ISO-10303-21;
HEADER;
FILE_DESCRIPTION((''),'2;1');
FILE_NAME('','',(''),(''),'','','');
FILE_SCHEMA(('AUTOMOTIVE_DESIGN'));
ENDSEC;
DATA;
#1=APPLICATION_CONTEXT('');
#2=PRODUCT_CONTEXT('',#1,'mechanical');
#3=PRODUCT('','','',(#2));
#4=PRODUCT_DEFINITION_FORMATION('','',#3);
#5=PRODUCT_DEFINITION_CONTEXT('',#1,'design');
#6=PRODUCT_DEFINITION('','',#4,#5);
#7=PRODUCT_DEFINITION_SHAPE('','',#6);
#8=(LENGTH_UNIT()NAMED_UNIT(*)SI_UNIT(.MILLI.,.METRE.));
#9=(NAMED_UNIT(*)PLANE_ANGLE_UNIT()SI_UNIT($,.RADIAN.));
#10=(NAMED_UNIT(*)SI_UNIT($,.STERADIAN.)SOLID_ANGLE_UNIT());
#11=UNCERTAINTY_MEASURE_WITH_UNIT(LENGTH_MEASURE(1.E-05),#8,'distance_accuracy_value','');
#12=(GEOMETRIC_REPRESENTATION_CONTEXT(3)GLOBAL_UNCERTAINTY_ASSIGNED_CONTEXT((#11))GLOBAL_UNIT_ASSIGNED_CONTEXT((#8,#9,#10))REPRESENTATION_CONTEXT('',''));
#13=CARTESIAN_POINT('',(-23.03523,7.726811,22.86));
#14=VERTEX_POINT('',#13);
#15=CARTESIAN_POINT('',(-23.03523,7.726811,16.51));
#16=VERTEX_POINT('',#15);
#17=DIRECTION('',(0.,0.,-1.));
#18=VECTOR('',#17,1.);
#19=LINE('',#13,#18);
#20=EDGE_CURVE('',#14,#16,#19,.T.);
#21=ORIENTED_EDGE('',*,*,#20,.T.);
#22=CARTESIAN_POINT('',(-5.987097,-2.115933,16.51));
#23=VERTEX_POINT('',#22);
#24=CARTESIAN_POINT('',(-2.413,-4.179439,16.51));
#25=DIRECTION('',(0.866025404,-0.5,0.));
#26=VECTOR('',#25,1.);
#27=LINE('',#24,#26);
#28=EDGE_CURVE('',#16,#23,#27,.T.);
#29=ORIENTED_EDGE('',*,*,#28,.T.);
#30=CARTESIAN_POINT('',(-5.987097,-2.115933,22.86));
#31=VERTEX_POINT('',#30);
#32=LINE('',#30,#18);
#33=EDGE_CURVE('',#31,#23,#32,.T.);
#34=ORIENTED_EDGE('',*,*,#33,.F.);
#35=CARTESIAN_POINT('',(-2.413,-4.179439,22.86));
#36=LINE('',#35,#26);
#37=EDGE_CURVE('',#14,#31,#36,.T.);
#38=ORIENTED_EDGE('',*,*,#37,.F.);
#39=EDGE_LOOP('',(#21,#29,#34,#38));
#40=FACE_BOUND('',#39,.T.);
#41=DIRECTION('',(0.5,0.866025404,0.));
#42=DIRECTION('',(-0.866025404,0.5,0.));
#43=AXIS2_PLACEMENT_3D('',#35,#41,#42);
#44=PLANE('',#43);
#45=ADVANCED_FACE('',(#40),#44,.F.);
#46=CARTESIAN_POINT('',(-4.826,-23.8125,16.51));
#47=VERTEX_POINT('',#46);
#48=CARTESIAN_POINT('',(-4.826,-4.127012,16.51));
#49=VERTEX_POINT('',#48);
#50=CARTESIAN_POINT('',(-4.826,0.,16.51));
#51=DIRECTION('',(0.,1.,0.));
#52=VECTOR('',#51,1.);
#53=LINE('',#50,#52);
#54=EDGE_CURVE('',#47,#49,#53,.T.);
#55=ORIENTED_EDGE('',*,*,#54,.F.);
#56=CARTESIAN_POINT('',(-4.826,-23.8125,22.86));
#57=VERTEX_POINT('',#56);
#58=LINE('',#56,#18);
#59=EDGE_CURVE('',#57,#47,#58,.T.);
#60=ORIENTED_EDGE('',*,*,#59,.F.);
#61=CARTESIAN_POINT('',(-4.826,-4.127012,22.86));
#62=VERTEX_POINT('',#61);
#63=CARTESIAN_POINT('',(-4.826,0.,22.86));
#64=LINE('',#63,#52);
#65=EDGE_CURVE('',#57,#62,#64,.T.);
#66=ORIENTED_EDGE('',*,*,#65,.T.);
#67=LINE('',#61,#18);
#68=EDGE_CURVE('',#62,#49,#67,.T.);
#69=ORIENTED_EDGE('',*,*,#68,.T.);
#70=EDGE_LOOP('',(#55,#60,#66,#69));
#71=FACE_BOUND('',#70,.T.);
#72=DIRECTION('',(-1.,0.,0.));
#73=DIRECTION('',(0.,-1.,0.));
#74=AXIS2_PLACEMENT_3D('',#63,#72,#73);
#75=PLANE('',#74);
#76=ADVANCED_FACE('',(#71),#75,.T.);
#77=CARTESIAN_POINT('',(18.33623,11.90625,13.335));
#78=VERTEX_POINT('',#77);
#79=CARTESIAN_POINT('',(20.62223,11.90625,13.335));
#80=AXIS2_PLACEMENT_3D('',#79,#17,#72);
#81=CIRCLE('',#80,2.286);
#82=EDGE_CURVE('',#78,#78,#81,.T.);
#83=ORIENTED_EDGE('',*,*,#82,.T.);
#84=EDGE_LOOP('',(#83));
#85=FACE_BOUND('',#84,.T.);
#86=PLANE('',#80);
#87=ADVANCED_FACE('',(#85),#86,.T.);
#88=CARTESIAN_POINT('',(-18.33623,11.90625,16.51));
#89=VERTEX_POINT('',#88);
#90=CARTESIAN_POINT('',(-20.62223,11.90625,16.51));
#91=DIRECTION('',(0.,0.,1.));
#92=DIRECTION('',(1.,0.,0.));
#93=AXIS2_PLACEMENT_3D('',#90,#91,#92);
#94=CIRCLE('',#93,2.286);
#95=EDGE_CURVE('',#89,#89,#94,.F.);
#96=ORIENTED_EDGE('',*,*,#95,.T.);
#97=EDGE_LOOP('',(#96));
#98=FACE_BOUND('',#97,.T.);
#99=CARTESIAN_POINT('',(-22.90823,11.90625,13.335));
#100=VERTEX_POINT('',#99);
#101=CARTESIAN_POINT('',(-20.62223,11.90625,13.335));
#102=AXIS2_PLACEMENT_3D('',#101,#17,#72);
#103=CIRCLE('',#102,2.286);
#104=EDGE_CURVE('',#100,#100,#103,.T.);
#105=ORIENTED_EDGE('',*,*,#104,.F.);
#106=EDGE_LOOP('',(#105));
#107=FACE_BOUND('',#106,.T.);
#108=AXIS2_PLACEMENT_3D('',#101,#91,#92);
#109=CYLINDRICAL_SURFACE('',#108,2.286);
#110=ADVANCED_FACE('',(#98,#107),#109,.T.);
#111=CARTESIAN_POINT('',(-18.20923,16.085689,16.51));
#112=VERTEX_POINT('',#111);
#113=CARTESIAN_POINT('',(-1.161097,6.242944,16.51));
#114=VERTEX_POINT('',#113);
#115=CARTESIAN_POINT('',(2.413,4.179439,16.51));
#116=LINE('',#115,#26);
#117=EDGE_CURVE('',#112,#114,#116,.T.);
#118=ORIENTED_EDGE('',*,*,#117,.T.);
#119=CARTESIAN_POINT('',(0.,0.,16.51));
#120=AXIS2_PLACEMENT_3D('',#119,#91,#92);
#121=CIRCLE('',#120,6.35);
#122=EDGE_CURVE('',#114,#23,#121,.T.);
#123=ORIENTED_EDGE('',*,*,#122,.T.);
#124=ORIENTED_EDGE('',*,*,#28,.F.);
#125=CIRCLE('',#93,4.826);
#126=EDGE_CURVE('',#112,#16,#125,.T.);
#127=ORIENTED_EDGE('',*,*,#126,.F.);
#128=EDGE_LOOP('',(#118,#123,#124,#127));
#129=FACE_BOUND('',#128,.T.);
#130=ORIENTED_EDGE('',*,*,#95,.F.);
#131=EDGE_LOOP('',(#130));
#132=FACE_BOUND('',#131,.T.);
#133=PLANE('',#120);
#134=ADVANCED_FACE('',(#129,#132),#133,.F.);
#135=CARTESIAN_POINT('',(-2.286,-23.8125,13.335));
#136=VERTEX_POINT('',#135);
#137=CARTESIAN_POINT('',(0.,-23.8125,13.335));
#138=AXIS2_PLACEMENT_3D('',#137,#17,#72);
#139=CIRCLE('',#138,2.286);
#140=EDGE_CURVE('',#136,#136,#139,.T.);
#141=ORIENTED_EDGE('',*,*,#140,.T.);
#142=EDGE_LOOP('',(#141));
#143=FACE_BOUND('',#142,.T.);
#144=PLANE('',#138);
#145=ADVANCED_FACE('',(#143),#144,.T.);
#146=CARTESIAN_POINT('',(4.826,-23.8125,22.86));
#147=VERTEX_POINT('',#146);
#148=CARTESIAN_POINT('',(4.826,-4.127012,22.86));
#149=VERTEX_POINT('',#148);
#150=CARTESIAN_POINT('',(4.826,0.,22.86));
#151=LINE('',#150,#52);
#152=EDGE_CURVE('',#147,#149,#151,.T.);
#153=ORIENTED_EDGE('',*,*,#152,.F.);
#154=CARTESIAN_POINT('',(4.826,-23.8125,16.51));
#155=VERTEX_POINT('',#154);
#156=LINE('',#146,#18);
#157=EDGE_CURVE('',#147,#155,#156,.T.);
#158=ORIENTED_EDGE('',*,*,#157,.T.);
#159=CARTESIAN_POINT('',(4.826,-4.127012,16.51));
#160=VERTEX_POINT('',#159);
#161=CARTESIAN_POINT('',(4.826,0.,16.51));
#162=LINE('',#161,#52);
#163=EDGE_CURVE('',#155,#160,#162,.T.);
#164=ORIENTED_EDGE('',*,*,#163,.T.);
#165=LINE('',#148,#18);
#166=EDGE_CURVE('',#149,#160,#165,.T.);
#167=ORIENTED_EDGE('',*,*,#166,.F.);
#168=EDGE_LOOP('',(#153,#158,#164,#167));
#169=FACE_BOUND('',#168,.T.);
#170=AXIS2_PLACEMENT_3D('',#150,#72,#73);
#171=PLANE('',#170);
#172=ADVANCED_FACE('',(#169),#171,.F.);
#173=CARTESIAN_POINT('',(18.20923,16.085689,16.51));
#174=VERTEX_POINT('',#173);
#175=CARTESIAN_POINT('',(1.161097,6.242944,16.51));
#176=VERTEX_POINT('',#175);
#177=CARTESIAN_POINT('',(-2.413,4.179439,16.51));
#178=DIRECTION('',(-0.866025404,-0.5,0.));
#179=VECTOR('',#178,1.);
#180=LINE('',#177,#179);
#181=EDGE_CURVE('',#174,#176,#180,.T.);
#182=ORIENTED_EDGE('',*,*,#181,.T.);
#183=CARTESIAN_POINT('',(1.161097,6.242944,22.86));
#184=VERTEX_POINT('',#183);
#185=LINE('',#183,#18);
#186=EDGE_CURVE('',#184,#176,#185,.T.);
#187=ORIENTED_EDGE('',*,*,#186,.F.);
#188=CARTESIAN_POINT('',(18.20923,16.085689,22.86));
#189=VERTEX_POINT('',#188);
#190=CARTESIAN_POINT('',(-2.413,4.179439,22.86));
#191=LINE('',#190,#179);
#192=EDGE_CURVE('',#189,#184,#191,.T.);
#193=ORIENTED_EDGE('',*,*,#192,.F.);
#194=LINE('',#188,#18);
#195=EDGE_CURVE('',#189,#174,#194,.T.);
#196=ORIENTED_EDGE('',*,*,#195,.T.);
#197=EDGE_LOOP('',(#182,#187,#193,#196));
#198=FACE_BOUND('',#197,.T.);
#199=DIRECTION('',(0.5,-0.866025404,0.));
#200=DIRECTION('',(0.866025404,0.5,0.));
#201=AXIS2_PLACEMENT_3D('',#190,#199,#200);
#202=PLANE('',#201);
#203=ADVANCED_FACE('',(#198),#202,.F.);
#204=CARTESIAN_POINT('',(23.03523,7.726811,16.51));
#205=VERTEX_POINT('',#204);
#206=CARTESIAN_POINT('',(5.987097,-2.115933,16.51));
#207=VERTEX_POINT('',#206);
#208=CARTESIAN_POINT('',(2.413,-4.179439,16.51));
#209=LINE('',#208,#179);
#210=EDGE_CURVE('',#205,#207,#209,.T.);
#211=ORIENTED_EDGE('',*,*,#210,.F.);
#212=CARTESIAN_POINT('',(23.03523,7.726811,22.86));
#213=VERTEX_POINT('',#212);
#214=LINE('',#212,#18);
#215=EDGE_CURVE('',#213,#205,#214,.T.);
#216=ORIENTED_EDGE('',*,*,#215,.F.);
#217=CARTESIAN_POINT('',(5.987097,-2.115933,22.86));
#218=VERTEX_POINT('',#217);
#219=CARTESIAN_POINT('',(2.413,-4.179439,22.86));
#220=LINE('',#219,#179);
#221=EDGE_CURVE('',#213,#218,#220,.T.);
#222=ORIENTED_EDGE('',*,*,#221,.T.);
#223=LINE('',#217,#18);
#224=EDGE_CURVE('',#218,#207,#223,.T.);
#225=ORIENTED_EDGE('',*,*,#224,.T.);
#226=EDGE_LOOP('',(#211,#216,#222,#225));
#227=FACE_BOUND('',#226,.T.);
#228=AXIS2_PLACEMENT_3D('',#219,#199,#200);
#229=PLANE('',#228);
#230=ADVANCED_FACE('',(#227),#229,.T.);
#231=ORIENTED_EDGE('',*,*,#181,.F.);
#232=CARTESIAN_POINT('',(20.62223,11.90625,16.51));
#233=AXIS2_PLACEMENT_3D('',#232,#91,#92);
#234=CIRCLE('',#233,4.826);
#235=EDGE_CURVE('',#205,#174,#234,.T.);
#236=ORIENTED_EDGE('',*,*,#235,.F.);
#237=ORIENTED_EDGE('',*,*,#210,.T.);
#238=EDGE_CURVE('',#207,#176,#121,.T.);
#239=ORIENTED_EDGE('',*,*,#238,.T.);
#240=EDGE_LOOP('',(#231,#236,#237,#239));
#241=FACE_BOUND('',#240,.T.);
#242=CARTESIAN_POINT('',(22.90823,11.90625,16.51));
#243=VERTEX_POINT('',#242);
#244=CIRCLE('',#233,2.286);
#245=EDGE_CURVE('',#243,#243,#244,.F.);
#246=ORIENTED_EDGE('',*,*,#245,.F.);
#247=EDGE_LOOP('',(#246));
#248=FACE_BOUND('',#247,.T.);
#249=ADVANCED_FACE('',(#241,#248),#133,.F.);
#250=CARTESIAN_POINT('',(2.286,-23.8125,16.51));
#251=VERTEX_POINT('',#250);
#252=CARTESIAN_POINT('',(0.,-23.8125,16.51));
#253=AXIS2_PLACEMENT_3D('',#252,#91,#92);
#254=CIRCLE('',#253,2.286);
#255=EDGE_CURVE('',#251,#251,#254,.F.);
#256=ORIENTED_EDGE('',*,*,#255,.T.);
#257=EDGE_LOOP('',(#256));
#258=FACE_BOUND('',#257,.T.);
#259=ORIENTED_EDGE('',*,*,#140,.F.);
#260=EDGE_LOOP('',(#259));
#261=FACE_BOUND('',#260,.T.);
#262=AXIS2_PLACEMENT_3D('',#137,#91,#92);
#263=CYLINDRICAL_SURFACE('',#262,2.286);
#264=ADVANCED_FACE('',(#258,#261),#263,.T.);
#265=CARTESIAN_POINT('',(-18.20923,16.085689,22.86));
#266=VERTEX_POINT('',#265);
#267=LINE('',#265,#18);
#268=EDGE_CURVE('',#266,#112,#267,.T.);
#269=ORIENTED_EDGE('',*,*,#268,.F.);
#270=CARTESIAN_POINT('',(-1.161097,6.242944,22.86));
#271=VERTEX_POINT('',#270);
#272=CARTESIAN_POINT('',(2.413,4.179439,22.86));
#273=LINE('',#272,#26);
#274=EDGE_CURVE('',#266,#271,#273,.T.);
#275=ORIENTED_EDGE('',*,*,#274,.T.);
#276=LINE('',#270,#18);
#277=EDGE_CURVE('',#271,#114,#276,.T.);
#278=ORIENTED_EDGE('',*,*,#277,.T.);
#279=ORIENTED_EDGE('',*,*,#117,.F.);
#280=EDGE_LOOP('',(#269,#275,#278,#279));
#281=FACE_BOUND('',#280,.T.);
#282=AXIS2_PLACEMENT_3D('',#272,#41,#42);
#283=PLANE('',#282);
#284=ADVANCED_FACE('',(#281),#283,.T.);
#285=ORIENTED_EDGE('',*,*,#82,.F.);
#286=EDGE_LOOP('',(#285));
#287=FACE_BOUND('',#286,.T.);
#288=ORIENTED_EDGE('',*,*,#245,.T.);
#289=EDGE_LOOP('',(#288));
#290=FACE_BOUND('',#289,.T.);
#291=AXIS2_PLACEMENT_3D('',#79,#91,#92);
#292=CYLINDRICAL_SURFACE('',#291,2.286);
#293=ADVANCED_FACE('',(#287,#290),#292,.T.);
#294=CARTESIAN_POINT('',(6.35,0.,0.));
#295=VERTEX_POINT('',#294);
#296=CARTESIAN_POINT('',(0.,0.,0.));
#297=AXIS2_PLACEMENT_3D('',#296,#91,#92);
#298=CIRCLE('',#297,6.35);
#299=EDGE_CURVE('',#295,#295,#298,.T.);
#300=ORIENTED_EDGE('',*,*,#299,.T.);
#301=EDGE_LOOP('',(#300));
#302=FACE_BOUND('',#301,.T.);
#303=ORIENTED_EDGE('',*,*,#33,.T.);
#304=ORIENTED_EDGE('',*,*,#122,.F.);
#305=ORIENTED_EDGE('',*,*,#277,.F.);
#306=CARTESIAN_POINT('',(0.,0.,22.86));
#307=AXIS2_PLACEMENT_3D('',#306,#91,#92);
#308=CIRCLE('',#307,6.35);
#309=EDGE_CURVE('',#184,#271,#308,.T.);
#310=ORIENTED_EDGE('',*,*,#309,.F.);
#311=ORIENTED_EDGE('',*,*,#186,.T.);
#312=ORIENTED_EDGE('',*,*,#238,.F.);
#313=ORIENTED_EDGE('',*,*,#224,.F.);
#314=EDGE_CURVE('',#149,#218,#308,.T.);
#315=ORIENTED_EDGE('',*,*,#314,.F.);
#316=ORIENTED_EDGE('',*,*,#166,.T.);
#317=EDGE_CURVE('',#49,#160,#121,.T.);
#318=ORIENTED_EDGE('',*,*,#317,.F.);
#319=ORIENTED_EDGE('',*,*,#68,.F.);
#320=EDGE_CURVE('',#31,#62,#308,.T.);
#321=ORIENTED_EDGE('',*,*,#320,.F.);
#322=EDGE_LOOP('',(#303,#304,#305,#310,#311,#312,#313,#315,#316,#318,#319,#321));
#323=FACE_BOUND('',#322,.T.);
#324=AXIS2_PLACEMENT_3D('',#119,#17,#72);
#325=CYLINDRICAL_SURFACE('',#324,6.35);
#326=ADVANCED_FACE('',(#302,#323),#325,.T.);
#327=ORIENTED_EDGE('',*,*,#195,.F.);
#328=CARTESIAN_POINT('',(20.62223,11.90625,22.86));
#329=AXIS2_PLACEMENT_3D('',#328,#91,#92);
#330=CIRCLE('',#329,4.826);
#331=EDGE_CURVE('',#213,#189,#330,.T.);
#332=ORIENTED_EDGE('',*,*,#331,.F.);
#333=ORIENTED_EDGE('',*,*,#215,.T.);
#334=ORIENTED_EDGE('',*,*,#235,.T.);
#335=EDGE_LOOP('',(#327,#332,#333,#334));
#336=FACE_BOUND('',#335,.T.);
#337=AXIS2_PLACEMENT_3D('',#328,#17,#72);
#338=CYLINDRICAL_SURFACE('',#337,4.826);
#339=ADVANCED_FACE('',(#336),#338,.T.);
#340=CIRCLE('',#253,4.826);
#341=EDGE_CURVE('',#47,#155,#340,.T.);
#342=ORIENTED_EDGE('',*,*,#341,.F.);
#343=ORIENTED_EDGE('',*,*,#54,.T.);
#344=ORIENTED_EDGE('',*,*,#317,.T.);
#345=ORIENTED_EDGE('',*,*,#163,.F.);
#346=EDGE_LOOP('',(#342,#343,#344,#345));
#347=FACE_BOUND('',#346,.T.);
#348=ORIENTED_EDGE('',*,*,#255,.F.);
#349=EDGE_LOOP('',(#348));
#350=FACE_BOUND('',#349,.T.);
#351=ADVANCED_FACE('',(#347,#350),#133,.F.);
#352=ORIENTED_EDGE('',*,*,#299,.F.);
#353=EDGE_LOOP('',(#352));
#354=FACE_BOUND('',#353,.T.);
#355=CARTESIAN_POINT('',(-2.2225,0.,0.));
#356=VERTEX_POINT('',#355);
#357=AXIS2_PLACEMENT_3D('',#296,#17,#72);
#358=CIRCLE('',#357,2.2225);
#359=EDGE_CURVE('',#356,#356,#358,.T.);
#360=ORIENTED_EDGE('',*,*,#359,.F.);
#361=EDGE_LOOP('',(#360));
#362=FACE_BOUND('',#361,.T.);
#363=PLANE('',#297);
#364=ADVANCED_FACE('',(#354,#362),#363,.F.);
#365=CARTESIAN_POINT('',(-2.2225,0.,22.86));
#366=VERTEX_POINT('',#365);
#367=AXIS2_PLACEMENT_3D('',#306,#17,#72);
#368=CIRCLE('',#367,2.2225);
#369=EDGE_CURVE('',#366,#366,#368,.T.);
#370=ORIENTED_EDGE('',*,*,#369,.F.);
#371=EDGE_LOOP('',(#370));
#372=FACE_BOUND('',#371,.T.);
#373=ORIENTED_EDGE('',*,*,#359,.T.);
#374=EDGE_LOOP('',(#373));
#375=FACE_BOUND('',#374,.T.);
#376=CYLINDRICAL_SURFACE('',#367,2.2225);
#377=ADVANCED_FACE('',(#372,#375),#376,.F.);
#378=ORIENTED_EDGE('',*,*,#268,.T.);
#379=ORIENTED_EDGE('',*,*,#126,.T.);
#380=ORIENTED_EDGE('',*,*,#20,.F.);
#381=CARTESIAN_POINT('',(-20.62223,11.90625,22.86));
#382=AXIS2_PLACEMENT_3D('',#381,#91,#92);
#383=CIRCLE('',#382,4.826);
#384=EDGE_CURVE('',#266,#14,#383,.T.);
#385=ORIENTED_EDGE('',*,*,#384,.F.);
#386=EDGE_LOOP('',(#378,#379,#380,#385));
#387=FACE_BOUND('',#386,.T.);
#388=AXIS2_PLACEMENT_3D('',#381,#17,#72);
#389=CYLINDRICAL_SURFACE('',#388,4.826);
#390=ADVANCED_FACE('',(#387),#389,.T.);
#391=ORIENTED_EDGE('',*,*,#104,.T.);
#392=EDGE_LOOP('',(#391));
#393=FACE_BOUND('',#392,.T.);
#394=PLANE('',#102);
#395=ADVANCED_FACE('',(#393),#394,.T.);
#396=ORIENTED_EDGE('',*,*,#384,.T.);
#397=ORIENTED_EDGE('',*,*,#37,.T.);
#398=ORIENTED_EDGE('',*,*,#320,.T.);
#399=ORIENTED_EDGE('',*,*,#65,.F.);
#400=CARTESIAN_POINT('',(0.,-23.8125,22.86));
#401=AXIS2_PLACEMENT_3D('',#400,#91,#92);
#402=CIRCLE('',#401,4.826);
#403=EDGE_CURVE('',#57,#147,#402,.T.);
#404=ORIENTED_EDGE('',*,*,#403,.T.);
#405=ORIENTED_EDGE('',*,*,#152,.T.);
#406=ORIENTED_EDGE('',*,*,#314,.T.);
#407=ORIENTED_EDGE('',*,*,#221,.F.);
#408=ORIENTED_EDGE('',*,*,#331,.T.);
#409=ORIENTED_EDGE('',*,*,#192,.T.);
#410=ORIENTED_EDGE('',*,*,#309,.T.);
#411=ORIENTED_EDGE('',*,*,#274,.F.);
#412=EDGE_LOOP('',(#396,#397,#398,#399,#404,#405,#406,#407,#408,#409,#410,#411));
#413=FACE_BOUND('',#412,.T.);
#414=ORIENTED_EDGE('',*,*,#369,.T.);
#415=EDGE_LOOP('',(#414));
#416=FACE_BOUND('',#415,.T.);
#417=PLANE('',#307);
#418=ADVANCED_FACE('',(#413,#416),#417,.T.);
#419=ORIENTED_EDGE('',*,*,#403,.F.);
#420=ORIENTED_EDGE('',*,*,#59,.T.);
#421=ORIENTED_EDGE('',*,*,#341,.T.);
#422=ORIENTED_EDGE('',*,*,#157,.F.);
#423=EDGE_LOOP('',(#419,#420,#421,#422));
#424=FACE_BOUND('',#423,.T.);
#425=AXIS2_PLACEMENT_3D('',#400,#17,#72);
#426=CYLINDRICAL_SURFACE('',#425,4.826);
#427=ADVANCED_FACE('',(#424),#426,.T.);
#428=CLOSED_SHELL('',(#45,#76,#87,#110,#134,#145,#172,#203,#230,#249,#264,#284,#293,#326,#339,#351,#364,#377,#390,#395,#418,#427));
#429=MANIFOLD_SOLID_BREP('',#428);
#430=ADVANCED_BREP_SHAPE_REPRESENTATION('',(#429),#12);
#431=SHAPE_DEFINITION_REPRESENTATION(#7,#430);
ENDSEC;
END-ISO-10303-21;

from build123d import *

# Parameters (mm, degrees)
SKETCH1_R           = 6.35
BOSS_EXTRUDE1_DEPTH = 16.51
BOSS_EXTRUDE4_DEPTH = 6.35
SKETCH6_R           = 2.286
BOSS_EXTRUDE5_DEPTH = 3.175
SKETCH7_R           = 2.2225
CUT_EXTRUDE1_DEPTH  = 45.613402568


with BuildPart() as part:
    # Sketch1 → Boss-Extrude1 (new body)
    with BuildSketch(Plane.XY):
        Circle(SKETCH1_R)
    extrude(amount=BOSS_EXTRUDE1_DEPTH)

    # Sketch4 → Boss-Extrude4 (add)
    with BuildSketch(Plane.XY.offset(16.51)):
        with BuildLine():
            Line((-4.826, -4.12701151), (-4.826, -23.8125))
            ThreePointArc((-4.826, -23.8125), (0, -28.6385), (4.826, -23.8125))
            Line((4.826, -23.8125), (4.826, -4.12701151))
            ThreePointArc((4.826, -4.12701151), (5.499261314, -3.175), (5.987096809, -2.115932844))
            Line((5.987096809, -2.115932844), (23.035229928, 7.726811401))
            ThreePointArc((23.035229928, 7.726811401), (24.801668526, 14.31925), (18.209229928, 16.085688599))
            Line((18.209229928, 16.085688599), (1.161096809, 6.242944353))
            ThreePointArc((1.161096809, 6.242944353), (0, 6.35), (-1.161096809, 6.242944353))
            Line((-1.161096809, 6.242944353), (-18.209229928, 16.085688599))
            ThreePointArc((-18.209229928, 16.085688599), (-24.801668526, 14.31925), (-23.035229928, 7.726811401))
            Line((-23.035229928, 7.726811401), (-5.987096809, -2.115932844))
            ThreePointArc((-5.987096809, -2.115932844), (-5.499261314, -3.175), (-4.826, -4.12701151))
        make_face()
    extrude(amount=BOSS_EXTRUDE4_DEPTH)

    # Sketch6 → Boss-Extrude5 (add)
    with BuildSketch(Plane(origin=(0, 0, 16.51), x_dir=(-1, 0, 0), z_dir=(0, 0, -1))):
        with Locations(Location((0, -23.8125, 0), (0, 0, 180))):
            Circle(SKETCH6_R)
        with Locations(Location((-20.622229928, 11.90625, 0), (0, 0, 180))):
            Circle(SKETCH6_R)
        with Locations(Location((20.622229928, 11.90625, 0), (0, 0, 180))):
            Circle(SKETCH6_R)
    extrude(amount=BOSS_EXTRUDE5_DEPTH)

    # Sketch7 → Cut-Extrude1 (cut, through all)
    with BuildSketch(Plane(origin=(0, 0, 0), x_dir=(-1, 0, 0), z_dir=(0, 0, -1))):
        Circle(SKETCH7_R)
    extrude(amount=-CUT_EXTRUDE1_DEPTH, mode=Mode.SUBTRACT)


solid = part.part
